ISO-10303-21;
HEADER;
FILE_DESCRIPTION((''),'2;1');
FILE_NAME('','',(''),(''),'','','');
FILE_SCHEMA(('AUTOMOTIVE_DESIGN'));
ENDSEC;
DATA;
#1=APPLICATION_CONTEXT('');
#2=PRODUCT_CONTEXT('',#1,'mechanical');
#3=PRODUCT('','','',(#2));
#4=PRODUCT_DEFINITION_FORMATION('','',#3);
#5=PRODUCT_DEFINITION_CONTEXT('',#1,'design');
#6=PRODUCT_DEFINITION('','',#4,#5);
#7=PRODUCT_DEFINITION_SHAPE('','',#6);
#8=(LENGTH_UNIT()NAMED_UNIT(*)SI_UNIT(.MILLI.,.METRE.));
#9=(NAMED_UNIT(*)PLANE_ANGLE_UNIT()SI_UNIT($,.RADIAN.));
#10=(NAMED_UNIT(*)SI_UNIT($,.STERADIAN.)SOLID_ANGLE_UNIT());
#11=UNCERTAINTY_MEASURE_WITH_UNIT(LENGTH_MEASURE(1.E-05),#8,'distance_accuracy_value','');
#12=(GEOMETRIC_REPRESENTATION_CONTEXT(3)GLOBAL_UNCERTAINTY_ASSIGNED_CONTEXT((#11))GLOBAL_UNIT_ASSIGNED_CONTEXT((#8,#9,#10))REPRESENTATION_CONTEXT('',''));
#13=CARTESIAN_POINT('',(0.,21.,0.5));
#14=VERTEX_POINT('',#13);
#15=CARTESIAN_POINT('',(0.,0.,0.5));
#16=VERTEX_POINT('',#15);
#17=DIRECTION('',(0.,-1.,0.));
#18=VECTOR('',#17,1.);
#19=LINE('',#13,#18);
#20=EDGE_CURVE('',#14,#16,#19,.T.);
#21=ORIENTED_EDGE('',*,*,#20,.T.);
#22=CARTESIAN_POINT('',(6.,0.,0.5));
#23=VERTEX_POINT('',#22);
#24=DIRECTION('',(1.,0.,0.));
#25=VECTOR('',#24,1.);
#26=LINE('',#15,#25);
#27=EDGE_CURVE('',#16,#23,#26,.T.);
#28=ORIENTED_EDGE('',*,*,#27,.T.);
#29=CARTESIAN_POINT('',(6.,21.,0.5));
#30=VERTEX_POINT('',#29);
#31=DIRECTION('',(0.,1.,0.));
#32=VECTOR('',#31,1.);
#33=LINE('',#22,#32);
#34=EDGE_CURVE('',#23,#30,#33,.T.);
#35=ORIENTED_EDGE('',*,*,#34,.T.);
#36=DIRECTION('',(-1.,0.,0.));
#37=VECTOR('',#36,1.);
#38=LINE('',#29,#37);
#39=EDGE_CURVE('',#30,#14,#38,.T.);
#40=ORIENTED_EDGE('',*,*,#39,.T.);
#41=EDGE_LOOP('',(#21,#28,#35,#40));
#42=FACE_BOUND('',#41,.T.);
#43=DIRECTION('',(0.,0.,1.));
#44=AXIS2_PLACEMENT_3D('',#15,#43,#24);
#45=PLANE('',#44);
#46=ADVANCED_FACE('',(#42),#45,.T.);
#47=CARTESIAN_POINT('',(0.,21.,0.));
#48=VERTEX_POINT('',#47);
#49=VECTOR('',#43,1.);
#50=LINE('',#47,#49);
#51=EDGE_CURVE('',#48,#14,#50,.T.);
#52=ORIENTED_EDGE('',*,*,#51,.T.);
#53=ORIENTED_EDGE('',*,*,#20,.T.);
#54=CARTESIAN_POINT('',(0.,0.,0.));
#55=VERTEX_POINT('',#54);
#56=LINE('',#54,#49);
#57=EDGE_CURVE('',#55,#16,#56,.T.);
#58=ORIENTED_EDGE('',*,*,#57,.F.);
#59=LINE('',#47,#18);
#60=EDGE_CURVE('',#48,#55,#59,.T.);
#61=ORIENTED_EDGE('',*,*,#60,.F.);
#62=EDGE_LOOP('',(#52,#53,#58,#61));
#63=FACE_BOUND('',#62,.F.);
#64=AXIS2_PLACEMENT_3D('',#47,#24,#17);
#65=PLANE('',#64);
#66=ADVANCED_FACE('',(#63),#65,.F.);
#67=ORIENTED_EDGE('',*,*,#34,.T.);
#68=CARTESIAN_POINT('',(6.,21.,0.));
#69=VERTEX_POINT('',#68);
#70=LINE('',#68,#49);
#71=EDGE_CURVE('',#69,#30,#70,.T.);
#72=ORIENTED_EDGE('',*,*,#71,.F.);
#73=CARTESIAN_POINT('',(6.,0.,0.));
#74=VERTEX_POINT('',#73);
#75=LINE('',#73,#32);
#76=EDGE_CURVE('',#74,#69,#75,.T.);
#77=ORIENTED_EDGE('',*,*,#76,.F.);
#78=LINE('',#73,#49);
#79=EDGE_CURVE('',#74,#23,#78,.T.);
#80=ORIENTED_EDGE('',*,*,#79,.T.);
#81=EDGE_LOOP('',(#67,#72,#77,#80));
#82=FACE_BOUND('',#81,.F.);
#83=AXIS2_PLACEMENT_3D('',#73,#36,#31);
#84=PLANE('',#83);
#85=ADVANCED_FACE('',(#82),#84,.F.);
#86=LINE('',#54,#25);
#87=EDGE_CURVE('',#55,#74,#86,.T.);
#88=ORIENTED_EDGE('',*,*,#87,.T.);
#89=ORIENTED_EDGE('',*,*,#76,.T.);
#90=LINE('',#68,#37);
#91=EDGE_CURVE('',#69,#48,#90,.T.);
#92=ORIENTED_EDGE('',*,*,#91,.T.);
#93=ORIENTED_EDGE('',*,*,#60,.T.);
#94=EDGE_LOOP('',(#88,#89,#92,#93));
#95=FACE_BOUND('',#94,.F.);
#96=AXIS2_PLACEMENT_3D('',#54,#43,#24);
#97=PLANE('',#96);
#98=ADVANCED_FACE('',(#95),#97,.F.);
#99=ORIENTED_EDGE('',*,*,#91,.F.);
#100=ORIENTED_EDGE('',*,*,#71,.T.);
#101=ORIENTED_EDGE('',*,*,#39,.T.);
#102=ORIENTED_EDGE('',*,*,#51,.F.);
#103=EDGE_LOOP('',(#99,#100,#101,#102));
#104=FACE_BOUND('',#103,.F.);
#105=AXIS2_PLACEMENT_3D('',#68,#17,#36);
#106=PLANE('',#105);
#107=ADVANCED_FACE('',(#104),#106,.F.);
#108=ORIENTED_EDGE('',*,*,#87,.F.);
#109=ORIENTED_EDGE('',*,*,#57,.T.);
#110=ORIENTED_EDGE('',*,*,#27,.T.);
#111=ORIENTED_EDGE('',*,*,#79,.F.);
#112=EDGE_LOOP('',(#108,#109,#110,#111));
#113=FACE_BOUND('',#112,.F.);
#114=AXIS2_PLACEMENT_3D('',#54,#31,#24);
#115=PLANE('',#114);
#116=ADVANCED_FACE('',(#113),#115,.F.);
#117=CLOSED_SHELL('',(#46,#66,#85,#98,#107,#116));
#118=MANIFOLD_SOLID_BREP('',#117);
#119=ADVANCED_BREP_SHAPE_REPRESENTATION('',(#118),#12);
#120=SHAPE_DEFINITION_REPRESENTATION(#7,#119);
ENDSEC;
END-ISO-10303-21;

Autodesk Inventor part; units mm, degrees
ref_plane "YZ Plane" through (0, 0, 0) normal (1, 0, 0) x (0, 1, 0)
ref_plane "XZ Plane" through (0, 0, 0) normal (0, 1, 0) x (-1, 0, 0)
ref_plane "XY Plane" through (0, 0, 0) normal (0, 0, 1) x (1, 0, 0)
sketch "Skizze1" plane through (0, 0, 0) normal (0, 0, 1) x (1, 0, 0)
  line L0 (0, 0) -> (6, 0)
  line L1 (6, 0) -> (6, 21)
  line L2 (6, 21) -> (0, 21)
  line L3 (0, 21) -> (0, 0)
  dimension "d0" = 21
  dimension "d1" = 6
extrude "Extrusion1" add sketch "Skizze1" along normal blind 0.5
properties part number "103.019.01_Daempfer_Stopper" material "Gummi"
